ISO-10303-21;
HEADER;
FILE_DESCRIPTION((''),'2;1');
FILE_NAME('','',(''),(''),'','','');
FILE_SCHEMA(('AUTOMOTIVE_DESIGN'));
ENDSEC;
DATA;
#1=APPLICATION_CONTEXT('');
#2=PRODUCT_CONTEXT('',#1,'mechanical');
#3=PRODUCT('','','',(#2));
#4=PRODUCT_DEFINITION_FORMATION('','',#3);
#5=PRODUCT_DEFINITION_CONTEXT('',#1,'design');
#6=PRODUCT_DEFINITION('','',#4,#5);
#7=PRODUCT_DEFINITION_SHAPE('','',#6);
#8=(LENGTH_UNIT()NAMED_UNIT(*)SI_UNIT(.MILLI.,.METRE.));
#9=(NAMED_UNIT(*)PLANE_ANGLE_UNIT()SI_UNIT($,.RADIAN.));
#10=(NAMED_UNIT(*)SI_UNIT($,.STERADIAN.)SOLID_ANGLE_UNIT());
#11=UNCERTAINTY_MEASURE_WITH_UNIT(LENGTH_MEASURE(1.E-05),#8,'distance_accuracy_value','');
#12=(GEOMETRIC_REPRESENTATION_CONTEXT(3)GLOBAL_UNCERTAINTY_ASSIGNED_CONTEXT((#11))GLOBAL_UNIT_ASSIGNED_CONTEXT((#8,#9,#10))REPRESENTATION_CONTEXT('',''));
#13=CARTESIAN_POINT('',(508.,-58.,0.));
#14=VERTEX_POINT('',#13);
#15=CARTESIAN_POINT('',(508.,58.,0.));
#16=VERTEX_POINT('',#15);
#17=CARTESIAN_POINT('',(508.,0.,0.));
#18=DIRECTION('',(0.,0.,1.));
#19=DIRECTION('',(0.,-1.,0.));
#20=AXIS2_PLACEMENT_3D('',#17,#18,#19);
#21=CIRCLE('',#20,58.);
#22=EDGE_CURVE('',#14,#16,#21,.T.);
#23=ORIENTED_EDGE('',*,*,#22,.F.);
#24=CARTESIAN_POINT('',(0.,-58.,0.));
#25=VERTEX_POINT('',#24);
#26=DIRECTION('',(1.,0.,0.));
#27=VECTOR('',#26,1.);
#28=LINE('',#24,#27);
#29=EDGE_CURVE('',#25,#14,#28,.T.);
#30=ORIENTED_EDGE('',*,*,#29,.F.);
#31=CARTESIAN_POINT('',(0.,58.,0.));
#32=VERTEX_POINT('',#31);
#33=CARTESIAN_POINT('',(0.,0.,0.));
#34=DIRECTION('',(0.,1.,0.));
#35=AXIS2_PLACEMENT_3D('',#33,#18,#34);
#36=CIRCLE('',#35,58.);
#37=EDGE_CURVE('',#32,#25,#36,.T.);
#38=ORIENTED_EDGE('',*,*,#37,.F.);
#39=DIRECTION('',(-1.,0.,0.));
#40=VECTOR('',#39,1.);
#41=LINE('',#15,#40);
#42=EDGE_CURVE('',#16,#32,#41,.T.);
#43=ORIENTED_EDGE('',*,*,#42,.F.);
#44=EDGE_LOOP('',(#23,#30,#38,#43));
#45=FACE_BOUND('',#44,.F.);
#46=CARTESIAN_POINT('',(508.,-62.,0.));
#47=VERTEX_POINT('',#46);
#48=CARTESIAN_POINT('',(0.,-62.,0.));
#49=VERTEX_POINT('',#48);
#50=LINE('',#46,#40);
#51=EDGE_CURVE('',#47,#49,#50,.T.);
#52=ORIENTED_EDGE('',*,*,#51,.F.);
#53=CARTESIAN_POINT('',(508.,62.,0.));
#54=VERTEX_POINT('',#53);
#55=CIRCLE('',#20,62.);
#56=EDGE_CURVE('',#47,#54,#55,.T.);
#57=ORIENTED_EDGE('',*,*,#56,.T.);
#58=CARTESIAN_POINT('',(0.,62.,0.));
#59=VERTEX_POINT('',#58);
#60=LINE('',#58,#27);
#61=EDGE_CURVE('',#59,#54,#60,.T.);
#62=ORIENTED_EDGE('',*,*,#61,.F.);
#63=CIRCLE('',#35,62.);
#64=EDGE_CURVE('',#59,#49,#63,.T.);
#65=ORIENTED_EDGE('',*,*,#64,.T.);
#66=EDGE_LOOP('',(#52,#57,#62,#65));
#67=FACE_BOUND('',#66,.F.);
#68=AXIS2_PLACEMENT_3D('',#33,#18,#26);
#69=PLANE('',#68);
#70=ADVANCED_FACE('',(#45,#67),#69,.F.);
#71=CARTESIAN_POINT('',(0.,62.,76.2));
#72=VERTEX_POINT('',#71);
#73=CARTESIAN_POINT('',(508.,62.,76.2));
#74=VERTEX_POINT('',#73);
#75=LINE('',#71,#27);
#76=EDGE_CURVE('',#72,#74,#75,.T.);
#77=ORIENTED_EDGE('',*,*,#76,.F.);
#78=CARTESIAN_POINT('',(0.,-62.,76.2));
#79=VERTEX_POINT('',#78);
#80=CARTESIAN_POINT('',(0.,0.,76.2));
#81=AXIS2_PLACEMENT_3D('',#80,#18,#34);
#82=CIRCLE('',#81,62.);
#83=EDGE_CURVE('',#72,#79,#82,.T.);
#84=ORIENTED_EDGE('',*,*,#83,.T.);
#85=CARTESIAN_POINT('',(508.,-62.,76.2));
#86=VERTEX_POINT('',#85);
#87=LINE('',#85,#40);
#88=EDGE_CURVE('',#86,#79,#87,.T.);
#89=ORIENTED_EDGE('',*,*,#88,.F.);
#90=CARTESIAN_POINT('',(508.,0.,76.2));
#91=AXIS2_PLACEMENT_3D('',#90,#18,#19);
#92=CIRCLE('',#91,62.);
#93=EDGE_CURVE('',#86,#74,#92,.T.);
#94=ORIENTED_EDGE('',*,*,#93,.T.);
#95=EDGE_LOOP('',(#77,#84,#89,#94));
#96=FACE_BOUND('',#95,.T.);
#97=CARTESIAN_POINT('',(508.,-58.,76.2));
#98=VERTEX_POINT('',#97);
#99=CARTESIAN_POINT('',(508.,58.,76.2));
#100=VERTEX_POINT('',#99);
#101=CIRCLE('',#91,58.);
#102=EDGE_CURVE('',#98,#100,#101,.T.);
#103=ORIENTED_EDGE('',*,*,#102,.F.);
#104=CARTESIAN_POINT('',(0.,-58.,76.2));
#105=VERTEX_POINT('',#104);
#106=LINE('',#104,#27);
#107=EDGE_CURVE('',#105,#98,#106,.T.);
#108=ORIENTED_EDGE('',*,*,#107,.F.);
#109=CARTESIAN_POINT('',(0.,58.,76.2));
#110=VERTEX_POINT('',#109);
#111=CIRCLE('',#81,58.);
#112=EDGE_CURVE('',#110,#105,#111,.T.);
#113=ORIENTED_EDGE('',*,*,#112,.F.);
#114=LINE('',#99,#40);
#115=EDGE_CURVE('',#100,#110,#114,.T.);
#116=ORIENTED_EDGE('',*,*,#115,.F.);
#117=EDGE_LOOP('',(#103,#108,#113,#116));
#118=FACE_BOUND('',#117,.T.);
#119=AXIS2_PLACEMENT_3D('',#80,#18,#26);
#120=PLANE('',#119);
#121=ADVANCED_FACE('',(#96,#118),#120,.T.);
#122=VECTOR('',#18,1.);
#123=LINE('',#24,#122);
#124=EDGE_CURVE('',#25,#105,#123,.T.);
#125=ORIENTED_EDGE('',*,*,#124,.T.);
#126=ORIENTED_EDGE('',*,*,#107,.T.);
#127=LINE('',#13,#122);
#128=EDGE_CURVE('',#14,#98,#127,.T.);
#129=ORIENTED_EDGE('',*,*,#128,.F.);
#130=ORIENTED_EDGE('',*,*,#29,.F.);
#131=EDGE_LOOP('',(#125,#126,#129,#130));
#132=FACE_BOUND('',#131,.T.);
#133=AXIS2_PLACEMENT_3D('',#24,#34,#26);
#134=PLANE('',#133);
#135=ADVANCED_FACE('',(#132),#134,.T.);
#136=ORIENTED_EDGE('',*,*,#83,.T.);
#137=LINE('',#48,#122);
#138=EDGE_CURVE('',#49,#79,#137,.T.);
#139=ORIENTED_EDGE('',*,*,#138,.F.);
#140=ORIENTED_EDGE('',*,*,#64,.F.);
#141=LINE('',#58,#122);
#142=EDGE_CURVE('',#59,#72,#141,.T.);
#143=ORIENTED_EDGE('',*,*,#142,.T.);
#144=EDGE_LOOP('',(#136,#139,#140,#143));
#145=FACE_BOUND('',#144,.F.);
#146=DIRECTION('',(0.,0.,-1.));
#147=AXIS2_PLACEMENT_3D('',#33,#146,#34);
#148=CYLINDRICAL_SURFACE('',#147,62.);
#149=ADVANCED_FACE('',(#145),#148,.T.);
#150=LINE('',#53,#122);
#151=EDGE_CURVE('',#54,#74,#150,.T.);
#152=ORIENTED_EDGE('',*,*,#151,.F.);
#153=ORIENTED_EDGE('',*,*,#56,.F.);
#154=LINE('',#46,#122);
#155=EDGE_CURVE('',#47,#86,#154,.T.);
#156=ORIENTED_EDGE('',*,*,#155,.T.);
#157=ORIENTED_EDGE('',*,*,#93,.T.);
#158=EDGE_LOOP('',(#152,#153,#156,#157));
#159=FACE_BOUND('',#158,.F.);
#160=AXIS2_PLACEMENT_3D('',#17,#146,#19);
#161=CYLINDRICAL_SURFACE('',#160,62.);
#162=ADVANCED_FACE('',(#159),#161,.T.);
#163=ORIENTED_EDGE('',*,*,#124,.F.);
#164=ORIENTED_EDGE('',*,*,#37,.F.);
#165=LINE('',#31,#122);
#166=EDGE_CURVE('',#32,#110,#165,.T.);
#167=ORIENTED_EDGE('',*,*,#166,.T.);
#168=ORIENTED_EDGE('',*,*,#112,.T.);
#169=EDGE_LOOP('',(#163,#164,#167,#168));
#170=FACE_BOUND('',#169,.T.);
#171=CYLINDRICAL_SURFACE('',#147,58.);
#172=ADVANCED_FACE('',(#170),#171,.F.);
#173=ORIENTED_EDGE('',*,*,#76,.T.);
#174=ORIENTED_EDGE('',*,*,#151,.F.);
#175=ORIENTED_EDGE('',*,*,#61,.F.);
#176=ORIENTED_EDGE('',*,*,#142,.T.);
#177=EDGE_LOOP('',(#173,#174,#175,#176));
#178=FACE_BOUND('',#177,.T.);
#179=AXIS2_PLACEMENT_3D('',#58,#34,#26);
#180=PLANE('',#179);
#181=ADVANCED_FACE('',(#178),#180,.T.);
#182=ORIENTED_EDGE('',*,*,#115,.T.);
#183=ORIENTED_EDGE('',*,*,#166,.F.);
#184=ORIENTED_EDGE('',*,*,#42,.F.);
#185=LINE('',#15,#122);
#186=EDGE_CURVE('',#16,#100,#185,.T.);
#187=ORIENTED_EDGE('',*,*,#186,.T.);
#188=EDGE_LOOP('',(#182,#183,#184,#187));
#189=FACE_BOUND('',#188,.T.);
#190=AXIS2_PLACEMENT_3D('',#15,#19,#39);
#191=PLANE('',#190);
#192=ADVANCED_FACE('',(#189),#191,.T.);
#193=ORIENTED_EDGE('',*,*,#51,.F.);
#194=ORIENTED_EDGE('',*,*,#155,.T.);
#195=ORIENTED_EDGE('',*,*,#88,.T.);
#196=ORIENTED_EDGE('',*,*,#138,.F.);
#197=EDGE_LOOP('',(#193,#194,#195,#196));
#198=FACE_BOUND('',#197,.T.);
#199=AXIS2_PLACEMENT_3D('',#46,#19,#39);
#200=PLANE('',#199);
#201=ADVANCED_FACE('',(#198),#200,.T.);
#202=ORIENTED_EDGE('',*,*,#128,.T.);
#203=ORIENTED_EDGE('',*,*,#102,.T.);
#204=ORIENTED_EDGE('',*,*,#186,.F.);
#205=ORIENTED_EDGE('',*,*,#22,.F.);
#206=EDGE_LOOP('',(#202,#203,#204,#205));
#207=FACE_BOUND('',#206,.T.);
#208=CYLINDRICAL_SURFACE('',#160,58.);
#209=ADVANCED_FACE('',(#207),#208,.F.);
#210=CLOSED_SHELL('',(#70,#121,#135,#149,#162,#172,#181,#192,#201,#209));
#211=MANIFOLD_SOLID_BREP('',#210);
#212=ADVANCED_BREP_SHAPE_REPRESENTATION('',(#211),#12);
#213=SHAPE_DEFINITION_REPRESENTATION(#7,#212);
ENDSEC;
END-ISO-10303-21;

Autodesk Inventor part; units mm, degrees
ref_plane "YZ Plane" through (0, 0, 0) normal (1, 0, 0) x (0, 1, 0)
ref_plane "XZ Plane" through (0, 0, 0) normal (0, 1, 0) x (-1, 0, 0)
ref_plane "XY Plane" through (0, 0, 0) normal (0, 0, 1) x (1, 0, 0)
sketch "Sketch1" plane through (0, 0, 0) normal (0, 0, 1) x (1, 0, 0)
  line L0 (0, 0) -> (508, 0) construction
  line L1 (0, -58) -> (508, -58)
  line L2 (508, 58) -> (0, 58)
  arc A0 (0, 58) -> (0, -58) centre (0, 0) ccw
  arc A1 (508, -58) -> (508, 58) centre (508, 0) ccw
  line L3 (0, 62) -> (508, 62)
  arc A2 (508, -62) -> (508, 62) centre (508, 0) ccw
  line L4 (508, -62) -> (0, -62)
  arc A3 (0, 62) -> (0, -62) centre (0, 0) ccw
  point P0 (254, 0)
  dimension "d0" = 508
  dimension "d1" = 116
  dimension "d2" = 4
extrude "Extrusion1" add sketch "Sketch1" along normal blind 76.2
properties part number "VRT-038Track"
